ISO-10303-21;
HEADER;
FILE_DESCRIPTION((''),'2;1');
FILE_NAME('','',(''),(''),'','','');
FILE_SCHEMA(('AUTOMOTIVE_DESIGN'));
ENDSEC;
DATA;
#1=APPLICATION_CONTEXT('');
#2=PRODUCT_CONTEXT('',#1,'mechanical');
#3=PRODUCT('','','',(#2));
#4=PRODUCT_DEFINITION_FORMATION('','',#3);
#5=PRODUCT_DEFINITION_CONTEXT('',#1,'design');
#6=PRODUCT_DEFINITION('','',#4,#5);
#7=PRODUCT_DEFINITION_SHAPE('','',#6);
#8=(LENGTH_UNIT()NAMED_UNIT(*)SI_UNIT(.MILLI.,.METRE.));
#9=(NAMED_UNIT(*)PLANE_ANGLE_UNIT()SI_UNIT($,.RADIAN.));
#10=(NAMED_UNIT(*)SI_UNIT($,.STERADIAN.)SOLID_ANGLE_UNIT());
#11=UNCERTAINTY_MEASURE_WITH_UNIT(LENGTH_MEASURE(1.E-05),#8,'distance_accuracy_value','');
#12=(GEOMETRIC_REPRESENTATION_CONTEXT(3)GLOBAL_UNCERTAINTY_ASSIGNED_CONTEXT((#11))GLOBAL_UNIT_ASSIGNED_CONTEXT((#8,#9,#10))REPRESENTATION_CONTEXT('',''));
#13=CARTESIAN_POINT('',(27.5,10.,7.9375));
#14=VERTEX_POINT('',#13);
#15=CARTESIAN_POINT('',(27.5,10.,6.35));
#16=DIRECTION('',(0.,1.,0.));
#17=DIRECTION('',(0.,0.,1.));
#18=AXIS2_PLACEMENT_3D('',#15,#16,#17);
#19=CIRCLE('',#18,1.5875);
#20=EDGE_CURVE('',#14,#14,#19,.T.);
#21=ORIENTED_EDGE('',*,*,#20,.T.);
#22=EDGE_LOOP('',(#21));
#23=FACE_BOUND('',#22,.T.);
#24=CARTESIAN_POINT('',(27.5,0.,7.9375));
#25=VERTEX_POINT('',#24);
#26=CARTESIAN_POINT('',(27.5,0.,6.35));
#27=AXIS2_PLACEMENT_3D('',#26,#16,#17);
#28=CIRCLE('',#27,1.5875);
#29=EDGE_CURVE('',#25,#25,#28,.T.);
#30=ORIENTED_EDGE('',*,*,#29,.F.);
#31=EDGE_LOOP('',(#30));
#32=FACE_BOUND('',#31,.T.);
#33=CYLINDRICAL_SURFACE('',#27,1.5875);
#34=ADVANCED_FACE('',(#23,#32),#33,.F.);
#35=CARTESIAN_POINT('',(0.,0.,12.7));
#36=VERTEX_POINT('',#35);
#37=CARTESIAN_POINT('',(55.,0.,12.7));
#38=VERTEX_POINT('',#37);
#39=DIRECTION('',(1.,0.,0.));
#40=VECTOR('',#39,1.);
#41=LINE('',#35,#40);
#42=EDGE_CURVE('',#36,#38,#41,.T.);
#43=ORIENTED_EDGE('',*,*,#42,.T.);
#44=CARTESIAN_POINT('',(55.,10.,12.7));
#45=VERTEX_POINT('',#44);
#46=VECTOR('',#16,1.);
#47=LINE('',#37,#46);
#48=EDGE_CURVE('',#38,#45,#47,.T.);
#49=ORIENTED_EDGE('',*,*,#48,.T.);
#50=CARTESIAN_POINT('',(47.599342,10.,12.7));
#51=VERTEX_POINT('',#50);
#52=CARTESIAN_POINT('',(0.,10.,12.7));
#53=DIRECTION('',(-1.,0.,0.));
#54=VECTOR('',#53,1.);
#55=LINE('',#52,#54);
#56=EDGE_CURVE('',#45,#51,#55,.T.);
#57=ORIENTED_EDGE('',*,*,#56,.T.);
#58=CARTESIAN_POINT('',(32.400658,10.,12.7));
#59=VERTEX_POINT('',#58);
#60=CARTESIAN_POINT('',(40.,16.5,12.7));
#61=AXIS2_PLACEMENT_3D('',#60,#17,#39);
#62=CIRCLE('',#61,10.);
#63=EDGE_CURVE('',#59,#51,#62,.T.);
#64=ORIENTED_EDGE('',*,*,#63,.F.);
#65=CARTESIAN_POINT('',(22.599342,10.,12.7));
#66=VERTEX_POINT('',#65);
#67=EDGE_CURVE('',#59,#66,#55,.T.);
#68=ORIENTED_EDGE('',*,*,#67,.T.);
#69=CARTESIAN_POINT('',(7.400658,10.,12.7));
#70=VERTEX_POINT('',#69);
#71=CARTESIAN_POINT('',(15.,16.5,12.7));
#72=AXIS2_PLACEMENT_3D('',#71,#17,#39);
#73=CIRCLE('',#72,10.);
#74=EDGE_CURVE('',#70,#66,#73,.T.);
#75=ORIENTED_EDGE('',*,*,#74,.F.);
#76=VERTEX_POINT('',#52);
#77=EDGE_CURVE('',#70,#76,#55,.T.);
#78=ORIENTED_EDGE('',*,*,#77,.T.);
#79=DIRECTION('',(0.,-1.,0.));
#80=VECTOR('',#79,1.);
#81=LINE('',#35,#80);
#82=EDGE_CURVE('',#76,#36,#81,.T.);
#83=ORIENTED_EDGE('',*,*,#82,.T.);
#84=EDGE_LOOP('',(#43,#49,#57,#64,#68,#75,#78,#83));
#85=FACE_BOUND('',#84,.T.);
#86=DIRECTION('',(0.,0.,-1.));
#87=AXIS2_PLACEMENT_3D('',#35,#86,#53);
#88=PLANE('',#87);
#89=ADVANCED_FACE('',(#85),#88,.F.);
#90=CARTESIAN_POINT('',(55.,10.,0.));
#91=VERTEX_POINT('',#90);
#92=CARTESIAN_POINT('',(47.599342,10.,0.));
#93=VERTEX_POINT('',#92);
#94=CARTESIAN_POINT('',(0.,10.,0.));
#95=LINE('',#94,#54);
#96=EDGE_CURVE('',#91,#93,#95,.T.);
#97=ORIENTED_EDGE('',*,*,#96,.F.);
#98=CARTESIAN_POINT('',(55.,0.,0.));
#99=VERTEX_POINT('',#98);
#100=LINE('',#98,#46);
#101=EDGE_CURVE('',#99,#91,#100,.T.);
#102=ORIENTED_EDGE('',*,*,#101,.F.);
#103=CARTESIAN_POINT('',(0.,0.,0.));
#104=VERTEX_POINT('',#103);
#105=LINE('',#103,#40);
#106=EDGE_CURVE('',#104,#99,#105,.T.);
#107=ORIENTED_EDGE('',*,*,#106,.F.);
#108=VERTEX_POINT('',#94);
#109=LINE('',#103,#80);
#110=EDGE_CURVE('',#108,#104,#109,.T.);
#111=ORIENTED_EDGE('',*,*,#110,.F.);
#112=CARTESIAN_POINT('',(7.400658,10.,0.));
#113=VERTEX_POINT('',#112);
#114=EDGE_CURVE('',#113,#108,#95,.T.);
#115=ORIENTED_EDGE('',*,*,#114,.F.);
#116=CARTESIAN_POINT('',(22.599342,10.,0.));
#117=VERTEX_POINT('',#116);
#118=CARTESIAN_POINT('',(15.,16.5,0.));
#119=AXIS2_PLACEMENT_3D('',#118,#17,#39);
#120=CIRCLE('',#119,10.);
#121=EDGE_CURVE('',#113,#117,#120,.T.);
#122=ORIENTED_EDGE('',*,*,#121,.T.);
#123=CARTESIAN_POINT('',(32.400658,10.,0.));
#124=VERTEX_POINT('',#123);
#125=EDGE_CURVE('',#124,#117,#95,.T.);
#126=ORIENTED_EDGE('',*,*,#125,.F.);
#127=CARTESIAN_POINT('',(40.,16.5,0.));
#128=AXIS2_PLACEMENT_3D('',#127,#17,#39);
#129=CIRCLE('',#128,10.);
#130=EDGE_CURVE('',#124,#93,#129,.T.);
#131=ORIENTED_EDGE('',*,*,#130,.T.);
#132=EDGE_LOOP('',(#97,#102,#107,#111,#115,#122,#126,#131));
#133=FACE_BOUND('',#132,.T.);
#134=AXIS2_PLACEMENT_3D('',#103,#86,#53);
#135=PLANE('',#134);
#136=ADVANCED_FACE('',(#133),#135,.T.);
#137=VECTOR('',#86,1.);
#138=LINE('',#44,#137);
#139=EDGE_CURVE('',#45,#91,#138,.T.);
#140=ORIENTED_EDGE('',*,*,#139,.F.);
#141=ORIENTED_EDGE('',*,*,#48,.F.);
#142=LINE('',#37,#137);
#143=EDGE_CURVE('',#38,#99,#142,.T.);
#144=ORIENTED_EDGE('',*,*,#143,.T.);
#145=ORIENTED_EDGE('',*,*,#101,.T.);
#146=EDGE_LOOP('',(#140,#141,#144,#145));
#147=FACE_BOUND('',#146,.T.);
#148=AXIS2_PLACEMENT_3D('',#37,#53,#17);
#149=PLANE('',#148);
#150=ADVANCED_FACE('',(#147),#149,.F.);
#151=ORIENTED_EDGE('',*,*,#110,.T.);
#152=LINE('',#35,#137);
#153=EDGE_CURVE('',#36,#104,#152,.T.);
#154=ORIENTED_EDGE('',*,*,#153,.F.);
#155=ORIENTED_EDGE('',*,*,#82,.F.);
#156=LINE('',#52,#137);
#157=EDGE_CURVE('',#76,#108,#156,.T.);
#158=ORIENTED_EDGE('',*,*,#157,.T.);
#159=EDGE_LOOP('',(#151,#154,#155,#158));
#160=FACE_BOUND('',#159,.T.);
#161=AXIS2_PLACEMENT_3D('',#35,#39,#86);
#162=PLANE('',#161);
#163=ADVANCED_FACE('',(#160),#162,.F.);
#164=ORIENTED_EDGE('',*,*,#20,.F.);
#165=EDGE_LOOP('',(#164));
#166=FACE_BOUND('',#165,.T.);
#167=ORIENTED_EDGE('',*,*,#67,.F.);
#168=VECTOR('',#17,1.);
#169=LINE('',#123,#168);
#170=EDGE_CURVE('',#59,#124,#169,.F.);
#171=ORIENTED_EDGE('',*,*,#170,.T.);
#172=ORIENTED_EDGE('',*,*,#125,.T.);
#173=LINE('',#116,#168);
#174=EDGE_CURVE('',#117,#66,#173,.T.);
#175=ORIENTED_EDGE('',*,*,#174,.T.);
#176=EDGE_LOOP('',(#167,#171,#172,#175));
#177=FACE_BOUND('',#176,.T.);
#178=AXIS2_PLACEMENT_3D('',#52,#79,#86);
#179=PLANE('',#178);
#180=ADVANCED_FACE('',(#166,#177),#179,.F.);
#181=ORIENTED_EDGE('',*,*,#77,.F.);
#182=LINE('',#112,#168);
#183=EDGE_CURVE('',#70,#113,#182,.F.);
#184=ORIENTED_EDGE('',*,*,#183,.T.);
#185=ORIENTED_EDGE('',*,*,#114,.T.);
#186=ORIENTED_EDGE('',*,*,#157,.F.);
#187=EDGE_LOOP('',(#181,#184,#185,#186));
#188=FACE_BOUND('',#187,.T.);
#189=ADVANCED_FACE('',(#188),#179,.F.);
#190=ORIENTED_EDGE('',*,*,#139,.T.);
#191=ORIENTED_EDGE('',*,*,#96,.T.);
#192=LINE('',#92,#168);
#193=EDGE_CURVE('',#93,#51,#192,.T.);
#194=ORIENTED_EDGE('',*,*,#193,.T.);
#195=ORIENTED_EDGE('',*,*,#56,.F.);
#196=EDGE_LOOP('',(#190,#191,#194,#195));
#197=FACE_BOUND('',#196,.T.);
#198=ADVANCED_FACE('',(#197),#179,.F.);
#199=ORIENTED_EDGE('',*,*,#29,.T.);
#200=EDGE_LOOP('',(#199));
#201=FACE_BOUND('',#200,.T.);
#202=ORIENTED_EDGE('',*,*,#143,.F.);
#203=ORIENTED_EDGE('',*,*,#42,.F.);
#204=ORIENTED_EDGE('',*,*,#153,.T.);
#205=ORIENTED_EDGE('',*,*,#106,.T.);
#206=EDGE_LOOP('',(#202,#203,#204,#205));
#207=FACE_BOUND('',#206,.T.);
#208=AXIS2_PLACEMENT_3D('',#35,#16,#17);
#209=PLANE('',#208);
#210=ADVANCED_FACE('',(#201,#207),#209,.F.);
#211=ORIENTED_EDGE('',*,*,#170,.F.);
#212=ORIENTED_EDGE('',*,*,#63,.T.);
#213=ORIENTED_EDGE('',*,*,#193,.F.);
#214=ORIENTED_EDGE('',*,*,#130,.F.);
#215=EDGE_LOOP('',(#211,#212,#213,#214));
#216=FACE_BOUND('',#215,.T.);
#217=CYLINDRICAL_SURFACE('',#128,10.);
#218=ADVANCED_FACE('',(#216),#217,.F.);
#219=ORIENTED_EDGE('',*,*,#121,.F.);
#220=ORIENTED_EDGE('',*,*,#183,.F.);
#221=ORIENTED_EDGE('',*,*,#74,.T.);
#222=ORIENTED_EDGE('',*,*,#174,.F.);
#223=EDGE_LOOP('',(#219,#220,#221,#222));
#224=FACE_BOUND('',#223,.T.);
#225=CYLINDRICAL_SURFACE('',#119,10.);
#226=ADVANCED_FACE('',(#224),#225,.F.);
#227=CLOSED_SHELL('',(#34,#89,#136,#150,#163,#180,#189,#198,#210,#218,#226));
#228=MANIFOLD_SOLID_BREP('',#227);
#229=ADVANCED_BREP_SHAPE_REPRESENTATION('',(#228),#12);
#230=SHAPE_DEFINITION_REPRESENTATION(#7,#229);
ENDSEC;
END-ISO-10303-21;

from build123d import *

# Parameters (mm, degrees)
SKETCH4_W           = 55
SKETCH4_H           = 10
BOSS_EXTRUDE1_DEPTH = 12.7
SKETCH5_R           = 10
CUT_EXTRUDE1_DEPTH  = 58.326172033
SKETCH8_R           = 1.5875
CUT_EXTRUDE3_DEPTH  = 58.326172033


with BuildPart() as part:
    # Sketch4 → Boss-Extrude1 (new body)
    with BuildSketch(Plane.XY):
        with Locations((27.5, 5)):
            Rectangle(SKETCH4_W, SKETCH4_H)
    extrude(amount=BOSS_EXTRUDE1_DEPTH)

    # Sketch5 → Cut-Extrude1 (cut, through all)
    with BuildSketch(Plane.XY.offset(12.7)):
        with Locations((15, 16.5)):
            Circle(SKETCH5_R)
        with Locations((40, 16.5)):
            Circle(SKETCH5_R)
    extrude(amount=-CUT_EXTRUDE1_DEPTH, mode=Mode.SUBTRACT)

    # Sketch8 → Cut-Extrude3 (cut, through all)
    with BuildSketch(Plane(origin=(0, 10, 0), x_dir=(1, 0, 0), z_dir=(0, 1, 0))):
        with Locations(Location((27.5, -6.35, 0), (0, 0, 270))):
            Circle(SKETCH8_R)
    extrude(amount=-CUT_EXTRUDE3_DEPTH, mode=Mode.SUBTRACT)


solid = part.part
